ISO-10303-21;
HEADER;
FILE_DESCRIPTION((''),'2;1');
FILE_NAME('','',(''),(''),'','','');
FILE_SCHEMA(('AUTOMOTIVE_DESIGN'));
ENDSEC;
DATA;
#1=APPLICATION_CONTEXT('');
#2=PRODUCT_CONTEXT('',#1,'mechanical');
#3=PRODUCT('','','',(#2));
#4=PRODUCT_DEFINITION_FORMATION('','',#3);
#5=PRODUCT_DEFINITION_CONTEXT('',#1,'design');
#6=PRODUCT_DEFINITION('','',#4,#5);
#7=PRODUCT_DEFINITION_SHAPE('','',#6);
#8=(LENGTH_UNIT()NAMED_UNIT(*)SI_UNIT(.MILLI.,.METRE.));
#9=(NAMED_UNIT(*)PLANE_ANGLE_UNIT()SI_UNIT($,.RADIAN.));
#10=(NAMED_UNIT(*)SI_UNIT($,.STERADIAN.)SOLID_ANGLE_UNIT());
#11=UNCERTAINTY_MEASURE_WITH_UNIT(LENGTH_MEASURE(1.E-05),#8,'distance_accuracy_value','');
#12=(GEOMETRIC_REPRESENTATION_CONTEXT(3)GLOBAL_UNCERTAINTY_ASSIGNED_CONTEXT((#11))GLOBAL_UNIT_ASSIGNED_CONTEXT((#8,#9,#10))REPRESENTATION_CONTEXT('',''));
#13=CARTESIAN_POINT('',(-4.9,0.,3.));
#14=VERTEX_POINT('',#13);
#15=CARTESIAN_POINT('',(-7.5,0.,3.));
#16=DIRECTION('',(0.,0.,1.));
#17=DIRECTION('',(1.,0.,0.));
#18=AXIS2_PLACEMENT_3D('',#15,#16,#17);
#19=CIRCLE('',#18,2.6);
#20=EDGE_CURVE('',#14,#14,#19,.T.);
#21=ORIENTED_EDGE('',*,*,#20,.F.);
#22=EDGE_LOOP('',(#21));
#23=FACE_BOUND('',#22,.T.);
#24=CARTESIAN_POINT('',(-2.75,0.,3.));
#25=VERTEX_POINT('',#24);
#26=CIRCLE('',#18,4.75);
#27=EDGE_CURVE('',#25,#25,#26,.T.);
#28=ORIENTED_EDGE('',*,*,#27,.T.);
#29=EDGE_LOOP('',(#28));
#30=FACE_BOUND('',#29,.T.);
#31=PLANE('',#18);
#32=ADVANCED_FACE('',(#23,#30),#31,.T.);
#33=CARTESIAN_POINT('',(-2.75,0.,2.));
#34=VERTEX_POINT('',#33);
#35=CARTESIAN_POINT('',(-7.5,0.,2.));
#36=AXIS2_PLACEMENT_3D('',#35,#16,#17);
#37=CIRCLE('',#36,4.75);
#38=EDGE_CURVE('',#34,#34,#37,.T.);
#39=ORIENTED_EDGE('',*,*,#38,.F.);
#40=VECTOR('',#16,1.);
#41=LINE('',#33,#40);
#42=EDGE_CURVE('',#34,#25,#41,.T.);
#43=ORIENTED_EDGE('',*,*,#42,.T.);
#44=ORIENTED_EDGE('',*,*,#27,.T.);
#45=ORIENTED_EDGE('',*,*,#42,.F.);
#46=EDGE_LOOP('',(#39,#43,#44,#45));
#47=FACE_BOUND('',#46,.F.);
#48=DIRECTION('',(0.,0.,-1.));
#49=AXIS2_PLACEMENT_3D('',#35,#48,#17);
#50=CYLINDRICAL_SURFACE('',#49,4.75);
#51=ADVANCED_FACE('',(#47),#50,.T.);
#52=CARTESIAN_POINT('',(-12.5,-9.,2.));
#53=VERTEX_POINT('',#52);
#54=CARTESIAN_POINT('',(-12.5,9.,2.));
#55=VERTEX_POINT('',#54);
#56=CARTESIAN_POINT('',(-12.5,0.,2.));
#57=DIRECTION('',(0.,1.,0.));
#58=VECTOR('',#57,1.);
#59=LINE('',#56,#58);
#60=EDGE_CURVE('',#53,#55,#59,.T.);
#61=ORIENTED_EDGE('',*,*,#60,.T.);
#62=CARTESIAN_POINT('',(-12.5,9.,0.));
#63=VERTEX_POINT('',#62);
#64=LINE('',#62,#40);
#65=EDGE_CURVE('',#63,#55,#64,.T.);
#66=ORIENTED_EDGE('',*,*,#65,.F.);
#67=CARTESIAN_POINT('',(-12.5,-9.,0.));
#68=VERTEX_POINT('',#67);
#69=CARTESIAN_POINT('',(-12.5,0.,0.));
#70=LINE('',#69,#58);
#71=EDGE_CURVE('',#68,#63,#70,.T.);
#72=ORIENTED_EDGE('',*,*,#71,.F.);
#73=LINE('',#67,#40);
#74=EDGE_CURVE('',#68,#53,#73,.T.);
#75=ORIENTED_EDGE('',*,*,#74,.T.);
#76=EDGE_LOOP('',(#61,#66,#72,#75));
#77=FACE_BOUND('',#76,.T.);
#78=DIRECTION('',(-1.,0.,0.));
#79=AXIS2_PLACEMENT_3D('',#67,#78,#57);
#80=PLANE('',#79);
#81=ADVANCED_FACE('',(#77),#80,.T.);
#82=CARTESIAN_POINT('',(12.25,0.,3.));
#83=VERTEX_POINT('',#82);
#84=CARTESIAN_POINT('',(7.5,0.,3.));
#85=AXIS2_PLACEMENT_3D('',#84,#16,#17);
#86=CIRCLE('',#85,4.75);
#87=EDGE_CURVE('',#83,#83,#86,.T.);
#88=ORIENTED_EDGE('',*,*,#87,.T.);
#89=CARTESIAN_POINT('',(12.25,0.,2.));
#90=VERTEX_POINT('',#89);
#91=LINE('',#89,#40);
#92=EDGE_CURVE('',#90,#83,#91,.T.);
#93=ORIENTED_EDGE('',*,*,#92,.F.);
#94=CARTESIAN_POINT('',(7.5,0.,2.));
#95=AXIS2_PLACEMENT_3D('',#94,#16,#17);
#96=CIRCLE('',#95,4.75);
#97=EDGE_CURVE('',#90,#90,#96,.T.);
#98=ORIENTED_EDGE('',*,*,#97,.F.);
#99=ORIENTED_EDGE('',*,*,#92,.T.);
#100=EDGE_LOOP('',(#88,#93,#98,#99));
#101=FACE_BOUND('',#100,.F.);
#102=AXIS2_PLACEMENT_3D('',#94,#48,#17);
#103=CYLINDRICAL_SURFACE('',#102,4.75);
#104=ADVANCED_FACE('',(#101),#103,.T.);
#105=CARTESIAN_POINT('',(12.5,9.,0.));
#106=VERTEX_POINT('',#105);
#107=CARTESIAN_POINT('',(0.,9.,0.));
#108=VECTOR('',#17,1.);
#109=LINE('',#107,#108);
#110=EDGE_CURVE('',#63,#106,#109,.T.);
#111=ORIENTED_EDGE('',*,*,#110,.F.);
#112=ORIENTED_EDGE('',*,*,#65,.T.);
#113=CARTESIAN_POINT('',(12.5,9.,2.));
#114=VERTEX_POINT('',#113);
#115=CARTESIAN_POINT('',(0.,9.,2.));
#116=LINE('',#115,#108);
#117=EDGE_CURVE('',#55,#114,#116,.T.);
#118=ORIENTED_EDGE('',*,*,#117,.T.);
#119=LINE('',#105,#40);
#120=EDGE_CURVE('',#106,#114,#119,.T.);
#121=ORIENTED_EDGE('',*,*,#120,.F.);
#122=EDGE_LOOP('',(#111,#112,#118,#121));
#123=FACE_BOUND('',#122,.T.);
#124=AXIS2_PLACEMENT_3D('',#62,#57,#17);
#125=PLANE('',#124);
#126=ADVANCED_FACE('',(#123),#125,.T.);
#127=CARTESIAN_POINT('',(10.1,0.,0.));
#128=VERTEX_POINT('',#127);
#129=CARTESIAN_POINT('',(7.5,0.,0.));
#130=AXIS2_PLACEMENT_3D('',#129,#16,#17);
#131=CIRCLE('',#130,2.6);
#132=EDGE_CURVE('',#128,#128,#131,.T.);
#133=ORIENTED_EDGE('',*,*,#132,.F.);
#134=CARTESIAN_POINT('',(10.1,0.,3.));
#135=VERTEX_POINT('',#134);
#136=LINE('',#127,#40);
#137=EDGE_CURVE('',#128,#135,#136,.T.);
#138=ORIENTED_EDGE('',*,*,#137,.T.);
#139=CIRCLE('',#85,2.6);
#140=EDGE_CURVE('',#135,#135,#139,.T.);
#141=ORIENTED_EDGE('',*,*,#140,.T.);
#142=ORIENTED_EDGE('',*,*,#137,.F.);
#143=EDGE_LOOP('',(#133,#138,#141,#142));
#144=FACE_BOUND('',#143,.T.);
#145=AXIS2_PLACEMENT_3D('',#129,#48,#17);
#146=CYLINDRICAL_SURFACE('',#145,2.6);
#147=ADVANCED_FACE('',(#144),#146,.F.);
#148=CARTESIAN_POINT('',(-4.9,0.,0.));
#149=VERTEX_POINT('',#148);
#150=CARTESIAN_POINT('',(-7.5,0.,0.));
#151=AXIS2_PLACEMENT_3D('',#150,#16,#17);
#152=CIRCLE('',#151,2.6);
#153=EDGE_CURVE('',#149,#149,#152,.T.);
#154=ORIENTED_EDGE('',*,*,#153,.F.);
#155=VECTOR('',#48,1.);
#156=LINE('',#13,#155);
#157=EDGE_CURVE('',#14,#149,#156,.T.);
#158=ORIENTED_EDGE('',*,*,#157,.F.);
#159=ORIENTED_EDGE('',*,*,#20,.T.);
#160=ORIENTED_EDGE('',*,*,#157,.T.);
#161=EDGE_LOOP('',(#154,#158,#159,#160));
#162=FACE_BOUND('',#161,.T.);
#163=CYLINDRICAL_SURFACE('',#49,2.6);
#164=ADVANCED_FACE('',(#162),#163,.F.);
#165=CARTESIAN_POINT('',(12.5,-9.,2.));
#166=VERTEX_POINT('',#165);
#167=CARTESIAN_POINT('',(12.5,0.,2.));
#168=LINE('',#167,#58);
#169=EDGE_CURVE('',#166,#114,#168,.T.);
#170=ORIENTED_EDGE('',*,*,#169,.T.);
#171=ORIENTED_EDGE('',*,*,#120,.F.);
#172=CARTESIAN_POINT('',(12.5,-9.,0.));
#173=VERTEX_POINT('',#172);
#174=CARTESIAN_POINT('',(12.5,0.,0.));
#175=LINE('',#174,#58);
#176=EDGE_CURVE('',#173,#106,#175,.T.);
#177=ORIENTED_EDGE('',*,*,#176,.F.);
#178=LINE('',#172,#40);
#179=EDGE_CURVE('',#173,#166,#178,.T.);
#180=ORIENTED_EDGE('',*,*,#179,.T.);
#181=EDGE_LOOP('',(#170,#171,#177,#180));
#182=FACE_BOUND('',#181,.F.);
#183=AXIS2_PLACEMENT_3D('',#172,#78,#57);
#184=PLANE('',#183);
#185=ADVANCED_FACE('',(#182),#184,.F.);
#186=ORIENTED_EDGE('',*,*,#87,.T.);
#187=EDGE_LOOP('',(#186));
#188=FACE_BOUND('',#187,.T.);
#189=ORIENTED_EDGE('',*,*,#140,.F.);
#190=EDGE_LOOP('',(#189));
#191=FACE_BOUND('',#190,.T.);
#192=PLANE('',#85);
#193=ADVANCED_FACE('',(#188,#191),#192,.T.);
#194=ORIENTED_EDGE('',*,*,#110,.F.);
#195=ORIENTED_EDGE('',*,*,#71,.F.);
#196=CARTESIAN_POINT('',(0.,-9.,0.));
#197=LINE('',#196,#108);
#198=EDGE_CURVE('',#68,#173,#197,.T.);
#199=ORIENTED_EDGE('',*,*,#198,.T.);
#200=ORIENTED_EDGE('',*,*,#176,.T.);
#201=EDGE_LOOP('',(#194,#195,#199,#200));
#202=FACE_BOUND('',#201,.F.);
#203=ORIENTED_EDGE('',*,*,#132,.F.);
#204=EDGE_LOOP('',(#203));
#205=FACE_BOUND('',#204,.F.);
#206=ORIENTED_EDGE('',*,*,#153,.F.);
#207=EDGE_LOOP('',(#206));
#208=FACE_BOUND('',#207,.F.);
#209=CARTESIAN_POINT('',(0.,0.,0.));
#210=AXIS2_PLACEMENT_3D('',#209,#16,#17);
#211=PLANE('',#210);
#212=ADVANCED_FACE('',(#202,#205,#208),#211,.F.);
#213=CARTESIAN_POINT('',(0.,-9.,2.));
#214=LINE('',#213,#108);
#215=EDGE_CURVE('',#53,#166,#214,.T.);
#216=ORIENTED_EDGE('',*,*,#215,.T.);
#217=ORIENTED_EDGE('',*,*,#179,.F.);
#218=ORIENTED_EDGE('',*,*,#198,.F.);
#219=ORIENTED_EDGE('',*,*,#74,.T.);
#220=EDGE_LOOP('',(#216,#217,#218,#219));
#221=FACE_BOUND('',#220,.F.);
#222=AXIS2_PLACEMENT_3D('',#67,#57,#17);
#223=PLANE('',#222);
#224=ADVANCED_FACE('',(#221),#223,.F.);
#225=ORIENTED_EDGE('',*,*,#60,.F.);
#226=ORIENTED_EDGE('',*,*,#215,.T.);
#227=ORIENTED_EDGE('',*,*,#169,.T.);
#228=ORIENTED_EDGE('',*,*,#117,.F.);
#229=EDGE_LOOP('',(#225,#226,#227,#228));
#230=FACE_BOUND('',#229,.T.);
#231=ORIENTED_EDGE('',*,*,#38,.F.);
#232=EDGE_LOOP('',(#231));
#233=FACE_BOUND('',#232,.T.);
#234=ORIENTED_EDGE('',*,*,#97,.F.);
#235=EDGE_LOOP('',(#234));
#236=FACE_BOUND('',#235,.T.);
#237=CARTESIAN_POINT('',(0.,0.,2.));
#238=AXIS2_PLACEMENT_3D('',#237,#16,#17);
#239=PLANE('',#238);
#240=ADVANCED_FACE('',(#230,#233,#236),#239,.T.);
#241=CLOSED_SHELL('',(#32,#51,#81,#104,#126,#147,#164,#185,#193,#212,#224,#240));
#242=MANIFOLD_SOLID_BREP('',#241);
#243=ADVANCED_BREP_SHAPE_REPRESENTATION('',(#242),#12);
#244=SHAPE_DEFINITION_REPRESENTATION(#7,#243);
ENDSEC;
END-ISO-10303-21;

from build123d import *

# Parameters (mm, degrees)
SKETCH_W      = 25
SKETCH_H      = 18
SKETCH_R      = 2.6
PAD_DEPTH     = 2
SKETCH001_R   = 4.75
SKETCH001_R_2 = 2.6
PAD001_DEPTH  = 1


with BuildPart() as part:
    # Sketch → Pad (new body)
    with BuildSketch(Plane.XY):
        Rectangle(SKETCH_W, SKETCH_H)
        with Locations((-7.5, 0)):
            Circle(SKETCH_R, mode=Mode.SUBTRACT)
        with Locations((7.5, 0)):
            Circle(SKETCH_R, mode=Mode.SUBTRACT)
    extrude(amount=PAD_DEPTH)

    # Sketch001 (on Face8 of Pad) → Pad001 (join)
    with BuildSketch(Plane.XY.offset(2)):
        with Locations((-7.5, 0)):
            Circle(SKETCH001_R)
        with Locations((-7.5, 0)):
            Circle(SKETCH001_R_2, mode=Mode.SUBTRACT)
        with Locations((7.5, 0)):
            Circle(SKETCH001_R)
        with Locations((7.5, 0)):
            Circle(SKETCH001_R_2, mode=Mode.SUBTRACT)
    extrude(amount=PAD001_DEPTH)


solid = part.part
